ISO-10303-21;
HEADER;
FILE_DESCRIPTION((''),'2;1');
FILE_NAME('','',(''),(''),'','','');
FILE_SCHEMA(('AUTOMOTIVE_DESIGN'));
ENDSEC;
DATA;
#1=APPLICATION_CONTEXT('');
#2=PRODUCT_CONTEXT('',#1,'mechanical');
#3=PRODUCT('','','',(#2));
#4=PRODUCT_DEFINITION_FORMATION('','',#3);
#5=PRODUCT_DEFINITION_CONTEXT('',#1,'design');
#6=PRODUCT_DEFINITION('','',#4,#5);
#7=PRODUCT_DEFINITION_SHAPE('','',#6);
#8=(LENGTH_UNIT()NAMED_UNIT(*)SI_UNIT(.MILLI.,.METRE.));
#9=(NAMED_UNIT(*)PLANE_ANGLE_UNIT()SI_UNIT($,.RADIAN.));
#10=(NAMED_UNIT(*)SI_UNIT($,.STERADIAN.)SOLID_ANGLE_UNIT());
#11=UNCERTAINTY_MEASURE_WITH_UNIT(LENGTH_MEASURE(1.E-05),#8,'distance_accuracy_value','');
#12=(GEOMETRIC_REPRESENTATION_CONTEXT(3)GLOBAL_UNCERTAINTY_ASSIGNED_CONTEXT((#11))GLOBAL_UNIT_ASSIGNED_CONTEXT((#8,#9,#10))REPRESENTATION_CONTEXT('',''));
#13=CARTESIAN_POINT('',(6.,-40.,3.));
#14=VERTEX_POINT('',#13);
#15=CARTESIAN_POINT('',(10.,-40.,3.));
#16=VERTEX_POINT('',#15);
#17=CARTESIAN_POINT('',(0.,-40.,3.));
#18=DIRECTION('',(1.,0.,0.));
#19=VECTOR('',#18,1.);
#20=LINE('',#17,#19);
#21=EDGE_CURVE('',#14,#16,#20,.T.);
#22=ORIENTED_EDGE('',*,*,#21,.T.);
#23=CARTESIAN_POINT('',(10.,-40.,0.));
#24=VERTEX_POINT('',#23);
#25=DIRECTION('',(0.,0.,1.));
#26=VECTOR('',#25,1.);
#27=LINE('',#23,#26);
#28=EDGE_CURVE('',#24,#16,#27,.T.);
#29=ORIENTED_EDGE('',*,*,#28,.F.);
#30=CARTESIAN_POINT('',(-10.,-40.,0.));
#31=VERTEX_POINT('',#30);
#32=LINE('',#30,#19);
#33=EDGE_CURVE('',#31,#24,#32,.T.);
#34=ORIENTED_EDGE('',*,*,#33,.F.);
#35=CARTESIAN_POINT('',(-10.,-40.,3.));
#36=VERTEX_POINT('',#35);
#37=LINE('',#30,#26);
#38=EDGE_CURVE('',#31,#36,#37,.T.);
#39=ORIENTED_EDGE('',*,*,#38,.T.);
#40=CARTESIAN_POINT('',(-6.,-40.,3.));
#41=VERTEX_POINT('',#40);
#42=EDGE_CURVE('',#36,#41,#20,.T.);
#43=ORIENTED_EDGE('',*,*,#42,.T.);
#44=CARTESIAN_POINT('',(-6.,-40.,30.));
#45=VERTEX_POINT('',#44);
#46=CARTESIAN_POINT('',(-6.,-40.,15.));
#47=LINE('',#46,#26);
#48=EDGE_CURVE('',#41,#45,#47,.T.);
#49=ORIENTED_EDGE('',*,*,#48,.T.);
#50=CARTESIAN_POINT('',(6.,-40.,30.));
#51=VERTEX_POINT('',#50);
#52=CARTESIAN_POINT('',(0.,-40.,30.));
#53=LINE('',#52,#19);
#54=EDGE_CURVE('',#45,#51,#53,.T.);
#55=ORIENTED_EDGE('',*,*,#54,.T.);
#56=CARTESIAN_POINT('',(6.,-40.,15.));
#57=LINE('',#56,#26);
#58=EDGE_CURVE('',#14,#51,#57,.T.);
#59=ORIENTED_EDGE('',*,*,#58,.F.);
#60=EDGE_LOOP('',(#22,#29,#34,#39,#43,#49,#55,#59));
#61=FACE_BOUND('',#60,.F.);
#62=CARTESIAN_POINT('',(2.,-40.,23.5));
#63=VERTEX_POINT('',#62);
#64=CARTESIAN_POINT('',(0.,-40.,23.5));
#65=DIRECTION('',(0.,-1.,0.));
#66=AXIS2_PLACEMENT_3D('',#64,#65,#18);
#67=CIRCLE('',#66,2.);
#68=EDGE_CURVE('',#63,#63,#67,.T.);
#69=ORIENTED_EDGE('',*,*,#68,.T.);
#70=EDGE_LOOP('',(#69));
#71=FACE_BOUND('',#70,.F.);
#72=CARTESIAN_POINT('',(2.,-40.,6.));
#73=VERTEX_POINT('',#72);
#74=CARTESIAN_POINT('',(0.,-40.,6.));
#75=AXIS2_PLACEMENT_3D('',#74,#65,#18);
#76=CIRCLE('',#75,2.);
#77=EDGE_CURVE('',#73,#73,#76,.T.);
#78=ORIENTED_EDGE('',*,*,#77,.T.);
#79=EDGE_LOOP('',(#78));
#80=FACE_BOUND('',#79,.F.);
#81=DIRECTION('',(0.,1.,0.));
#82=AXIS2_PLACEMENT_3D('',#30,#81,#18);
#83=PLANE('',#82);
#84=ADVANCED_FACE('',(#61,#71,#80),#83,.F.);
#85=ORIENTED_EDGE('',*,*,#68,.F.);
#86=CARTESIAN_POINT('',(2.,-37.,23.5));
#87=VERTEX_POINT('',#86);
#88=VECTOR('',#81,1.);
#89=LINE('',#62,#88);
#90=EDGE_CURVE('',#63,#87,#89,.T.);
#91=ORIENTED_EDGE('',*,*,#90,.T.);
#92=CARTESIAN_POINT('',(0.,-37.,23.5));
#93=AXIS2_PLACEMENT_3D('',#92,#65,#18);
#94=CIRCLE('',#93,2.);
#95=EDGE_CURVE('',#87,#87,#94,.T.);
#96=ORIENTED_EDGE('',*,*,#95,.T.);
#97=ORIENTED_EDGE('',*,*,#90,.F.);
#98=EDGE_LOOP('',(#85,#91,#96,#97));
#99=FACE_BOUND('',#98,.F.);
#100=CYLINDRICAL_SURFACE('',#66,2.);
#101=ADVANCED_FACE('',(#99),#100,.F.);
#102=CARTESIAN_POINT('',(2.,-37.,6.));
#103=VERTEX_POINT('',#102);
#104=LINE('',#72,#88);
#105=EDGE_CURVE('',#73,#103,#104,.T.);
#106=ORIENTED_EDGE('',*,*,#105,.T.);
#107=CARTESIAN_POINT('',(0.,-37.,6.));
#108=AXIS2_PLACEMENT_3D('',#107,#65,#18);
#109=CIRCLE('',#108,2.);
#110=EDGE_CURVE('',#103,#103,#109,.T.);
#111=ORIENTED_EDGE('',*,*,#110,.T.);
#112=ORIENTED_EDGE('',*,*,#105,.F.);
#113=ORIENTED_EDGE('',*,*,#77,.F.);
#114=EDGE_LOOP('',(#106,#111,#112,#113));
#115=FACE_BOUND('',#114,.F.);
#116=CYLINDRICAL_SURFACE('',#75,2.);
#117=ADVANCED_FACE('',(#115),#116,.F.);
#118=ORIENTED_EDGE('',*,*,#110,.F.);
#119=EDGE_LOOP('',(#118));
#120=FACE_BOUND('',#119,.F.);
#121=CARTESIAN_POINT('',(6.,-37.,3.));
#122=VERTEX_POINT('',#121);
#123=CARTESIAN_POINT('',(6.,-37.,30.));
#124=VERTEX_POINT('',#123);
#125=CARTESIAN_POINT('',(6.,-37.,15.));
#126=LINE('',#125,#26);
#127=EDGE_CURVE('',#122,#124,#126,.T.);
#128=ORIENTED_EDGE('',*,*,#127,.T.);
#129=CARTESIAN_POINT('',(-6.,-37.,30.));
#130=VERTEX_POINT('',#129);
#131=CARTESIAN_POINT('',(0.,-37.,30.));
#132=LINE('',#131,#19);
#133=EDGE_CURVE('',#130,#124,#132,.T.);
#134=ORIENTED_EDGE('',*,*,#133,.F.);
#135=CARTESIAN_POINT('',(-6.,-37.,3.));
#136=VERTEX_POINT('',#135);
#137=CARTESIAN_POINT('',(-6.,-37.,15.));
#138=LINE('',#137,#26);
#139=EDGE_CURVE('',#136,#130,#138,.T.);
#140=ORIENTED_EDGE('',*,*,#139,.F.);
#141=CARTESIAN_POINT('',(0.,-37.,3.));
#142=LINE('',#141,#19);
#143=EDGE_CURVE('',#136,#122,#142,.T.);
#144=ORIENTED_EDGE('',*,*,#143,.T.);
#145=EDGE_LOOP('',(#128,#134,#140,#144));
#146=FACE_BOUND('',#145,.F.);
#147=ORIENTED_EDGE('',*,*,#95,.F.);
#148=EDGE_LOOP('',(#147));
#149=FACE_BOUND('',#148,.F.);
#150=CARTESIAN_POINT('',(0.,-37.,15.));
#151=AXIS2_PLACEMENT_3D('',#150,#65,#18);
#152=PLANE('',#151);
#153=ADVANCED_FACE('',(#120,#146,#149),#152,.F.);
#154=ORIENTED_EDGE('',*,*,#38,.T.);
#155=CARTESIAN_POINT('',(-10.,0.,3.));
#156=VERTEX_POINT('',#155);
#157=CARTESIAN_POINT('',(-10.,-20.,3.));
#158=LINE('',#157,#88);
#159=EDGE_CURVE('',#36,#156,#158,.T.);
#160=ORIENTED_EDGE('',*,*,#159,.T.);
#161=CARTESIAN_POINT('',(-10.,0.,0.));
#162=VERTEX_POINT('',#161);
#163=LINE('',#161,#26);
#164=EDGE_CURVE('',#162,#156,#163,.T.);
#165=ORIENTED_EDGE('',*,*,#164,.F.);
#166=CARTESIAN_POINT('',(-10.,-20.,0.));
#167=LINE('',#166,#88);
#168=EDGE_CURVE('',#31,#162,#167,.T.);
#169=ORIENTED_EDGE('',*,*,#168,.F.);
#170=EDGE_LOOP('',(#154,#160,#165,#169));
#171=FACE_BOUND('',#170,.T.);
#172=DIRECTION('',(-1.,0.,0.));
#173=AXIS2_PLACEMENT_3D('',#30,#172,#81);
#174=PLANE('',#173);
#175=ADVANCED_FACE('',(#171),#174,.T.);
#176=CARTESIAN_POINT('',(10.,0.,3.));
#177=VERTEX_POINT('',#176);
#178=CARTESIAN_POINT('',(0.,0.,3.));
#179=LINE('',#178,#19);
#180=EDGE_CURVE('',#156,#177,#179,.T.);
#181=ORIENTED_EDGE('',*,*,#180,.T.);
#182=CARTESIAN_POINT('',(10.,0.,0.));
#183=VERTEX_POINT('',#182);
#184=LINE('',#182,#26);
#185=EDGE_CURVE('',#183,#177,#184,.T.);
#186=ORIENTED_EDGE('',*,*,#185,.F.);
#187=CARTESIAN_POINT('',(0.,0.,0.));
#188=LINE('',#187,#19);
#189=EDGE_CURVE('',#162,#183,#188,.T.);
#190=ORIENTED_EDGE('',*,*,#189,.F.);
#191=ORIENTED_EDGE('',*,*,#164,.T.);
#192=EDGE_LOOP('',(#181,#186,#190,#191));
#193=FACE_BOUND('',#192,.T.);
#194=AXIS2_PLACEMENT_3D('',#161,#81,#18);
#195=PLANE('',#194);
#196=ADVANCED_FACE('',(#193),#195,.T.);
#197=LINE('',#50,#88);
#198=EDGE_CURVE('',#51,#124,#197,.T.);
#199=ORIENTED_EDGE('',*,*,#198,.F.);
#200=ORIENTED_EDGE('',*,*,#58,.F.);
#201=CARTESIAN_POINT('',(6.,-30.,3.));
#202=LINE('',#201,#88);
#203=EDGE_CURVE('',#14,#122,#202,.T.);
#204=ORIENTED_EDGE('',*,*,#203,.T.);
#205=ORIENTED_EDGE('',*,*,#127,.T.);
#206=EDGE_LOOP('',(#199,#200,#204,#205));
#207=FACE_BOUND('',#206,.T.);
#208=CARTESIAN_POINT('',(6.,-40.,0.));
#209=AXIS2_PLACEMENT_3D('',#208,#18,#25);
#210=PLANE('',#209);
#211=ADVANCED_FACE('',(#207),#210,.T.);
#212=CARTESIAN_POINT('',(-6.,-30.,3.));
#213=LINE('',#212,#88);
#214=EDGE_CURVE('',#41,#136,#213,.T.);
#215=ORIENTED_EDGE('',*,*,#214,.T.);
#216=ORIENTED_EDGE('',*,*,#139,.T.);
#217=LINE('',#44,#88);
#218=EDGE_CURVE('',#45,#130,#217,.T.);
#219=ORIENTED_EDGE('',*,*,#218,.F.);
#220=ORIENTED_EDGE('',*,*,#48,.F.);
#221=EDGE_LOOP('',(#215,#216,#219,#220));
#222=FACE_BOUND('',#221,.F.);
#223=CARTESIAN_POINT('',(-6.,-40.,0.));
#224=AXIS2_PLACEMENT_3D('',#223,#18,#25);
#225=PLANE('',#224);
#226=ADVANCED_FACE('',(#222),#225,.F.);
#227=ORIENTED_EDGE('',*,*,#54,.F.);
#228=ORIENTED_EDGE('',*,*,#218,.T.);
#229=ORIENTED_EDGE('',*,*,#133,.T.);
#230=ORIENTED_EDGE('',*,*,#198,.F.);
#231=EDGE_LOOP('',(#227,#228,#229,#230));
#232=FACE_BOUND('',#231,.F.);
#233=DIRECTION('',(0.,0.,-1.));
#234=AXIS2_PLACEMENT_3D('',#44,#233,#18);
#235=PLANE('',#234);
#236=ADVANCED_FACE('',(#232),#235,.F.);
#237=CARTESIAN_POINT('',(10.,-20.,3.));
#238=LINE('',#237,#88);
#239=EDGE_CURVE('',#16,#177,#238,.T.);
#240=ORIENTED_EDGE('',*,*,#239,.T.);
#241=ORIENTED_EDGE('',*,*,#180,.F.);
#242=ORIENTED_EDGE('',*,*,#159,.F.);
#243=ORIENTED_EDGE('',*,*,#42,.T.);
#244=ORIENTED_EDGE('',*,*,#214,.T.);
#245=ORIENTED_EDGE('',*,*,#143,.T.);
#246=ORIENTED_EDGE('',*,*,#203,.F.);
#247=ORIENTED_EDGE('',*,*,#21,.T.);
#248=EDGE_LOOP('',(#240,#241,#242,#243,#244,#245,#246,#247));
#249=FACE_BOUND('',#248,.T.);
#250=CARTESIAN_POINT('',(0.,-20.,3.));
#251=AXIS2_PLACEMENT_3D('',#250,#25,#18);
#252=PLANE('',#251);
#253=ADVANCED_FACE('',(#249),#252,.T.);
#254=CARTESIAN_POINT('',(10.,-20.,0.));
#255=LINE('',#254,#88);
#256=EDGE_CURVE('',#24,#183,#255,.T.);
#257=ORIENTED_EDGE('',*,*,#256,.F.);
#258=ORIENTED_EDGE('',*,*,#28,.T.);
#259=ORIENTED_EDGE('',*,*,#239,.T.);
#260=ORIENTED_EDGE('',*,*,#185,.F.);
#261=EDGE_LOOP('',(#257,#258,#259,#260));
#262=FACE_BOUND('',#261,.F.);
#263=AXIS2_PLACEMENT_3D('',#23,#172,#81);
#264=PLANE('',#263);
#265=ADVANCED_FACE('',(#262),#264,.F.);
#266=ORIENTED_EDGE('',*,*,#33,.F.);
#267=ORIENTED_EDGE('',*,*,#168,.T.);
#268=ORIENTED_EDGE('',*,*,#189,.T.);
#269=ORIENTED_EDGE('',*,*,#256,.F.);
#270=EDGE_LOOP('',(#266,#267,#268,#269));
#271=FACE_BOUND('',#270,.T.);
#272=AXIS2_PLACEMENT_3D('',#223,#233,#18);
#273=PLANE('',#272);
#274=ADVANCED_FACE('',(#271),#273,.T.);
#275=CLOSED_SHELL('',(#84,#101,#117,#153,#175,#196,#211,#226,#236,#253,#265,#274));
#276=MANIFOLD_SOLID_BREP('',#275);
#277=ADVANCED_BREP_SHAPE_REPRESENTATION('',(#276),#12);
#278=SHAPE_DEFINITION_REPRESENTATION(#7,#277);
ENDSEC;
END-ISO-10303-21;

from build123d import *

# Parameters (mm, degrees)
F0_W     = 20
F0_H     = 40
F1_DEPTH = 3
F2_W     = 12
F2_H     = 30
F2_R     = 2
F3_DEPTH = 3


with BuildPart() as f1:
    # F0 (on Top) → F1 (new body)
    with BuildSketch(Plane.XY):
        with Locations((0, -20)):
            Rectangle(F0_W, F0_H)
    extrude(amount=F1_DEPTH)

    # F2 (on face) → F3 (join)
    with BuildSketch(Plane.XZ.offset(40)):
        with Locations((0, 15)):
            Rectangle(F2_W, F2_H)
        with Locations((0, 6)):
            Circle(F2_R, mode=Mode.SUBTRACT)
        with Locations((0, 23.5)):
            Circle(F2_R, mode=Mode.SUBTRACT)
    extrude(amount=-F3_DEPTH)


solid = f1.part
